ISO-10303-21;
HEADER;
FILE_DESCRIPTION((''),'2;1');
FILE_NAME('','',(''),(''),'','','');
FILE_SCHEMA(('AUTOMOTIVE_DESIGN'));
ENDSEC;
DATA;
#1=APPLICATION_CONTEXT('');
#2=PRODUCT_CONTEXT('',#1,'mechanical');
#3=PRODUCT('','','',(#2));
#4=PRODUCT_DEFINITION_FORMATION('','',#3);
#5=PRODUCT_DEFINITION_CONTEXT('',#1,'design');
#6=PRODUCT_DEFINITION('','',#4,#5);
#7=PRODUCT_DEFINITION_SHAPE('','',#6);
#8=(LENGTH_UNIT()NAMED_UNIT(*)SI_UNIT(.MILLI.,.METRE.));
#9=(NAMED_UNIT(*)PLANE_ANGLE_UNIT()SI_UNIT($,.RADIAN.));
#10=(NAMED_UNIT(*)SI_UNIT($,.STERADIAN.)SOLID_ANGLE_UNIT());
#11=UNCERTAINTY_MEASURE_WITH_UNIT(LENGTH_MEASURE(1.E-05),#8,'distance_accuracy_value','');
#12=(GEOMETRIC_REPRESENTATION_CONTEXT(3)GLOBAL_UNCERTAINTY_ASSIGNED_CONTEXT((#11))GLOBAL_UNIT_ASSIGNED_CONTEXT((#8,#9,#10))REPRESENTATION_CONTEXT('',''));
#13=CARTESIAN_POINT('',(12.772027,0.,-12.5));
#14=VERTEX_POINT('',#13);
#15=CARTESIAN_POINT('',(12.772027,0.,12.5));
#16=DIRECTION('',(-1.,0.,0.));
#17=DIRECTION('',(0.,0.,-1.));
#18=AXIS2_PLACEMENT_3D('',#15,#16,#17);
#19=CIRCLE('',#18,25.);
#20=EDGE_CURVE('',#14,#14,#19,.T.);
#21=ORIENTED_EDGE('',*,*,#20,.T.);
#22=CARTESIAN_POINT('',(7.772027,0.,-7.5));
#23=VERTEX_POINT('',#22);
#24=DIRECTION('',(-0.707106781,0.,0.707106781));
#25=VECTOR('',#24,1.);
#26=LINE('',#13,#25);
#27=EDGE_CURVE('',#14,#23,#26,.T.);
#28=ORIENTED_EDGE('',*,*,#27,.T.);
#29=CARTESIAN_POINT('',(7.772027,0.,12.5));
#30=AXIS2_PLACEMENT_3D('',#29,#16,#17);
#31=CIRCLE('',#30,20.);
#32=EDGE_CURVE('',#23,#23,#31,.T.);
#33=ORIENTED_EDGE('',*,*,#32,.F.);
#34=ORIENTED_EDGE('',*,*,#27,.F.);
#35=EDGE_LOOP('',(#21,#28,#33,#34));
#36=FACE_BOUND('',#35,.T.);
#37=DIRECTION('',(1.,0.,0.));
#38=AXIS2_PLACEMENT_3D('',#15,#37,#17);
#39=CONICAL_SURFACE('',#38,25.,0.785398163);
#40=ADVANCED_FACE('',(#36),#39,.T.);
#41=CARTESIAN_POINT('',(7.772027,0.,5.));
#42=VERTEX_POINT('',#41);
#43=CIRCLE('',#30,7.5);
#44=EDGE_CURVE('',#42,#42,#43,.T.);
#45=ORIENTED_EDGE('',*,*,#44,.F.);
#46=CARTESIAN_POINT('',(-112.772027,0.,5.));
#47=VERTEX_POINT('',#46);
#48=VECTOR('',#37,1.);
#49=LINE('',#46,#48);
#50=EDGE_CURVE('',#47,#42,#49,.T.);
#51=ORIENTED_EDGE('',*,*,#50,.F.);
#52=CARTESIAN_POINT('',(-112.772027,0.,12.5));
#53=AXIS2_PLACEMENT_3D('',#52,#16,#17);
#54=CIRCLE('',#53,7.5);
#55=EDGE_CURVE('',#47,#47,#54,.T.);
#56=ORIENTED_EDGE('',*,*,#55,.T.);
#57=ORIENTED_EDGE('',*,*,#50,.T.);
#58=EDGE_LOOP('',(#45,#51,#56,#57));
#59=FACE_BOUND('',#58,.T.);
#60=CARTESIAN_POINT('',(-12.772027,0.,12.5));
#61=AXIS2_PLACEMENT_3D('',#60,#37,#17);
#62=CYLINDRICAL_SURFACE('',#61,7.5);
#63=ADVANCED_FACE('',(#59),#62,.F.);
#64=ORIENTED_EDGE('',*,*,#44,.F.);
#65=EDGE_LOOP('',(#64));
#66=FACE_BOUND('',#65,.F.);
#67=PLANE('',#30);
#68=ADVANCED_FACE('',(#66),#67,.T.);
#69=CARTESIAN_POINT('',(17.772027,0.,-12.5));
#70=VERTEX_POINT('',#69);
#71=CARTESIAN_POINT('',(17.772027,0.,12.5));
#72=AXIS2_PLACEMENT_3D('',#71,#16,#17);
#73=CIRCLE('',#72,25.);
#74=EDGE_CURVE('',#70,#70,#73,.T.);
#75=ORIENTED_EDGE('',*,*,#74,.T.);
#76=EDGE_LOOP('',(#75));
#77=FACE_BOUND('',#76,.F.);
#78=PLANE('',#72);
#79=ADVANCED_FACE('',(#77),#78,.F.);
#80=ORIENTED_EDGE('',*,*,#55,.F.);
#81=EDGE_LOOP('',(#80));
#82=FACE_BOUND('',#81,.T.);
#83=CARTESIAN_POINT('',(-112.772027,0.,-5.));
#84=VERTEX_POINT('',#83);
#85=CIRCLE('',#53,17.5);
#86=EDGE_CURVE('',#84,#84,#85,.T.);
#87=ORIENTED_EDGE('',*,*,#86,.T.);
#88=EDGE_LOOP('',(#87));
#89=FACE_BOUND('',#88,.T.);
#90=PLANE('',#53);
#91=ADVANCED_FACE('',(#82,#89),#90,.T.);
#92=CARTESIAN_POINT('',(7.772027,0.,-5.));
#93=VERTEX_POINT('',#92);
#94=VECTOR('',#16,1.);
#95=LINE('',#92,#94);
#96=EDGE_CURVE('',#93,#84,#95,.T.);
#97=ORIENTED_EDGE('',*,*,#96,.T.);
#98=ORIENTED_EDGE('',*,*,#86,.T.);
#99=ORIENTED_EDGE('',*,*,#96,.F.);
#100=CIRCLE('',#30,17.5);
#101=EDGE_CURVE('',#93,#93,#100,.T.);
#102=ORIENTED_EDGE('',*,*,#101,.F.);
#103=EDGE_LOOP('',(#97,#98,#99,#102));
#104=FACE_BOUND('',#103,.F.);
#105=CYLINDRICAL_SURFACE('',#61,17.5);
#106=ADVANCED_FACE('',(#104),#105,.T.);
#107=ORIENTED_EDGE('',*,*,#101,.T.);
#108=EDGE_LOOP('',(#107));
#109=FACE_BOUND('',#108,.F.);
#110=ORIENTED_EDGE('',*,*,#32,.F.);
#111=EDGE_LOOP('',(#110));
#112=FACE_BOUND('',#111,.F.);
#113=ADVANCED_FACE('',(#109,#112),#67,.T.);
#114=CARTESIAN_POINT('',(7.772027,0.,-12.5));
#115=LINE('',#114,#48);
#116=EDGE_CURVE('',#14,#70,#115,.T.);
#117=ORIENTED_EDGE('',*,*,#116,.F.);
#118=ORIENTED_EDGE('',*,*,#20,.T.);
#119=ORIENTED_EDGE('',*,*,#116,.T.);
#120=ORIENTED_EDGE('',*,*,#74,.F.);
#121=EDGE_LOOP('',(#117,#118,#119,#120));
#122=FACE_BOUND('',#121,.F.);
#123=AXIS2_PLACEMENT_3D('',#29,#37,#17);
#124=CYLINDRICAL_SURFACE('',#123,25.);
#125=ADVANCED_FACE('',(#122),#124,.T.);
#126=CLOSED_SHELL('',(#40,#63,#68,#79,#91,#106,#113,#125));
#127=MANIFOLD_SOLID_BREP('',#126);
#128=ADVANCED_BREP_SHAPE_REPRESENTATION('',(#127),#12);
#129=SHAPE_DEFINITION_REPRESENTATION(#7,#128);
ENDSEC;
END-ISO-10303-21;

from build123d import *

# Parameters (mm, degrees)
F0_W     = 5
F0_H     = 10
F0_W_2   = 20.5440539549
F2_SIZE  = 5
F3_DEPTH = 100


with BuildPart() as f1:
    # F0 (on Front) → F1 (revolve)
    with BuildSketch(Plane.XZ):
        Polygon((12.7720269775, 5), (12.7720269775, -5), (7.7720269775, -5), (7.7720269775, -12.5), (17.7720269775, -12.5), (17.7720269775, 12.5), (7.7720269775, 12.5), (7.7720269775, 5), align=None)
        with Locations((10.2720269775, 0)):
            Rectangle(F0_W, F0_H)
        with Locations((-2.5, 0)):
            Rectangle(F0_W_2, F0_H)
    revolve(axis=Axis((12.7720269775, 0, 12.5), (-1, 0, 0)))

    # F2
    f2_edges = [f1.edges().sort_by_distance(p)[0] for p in [
        (7.772027, 0, 37.5),
    ]]
    chamfer(f2_edges, length=F2_SIZE)

    # F3 (add): a face of the model
    f3_faces = [f1.faces().sort_by_distance(p)[0] for p in [
        (-12.7720269775, 0, 20.4949747468),
    ]]
    extrude(f3_faces, amount=F3_DEPTH)


solid = f1.part
